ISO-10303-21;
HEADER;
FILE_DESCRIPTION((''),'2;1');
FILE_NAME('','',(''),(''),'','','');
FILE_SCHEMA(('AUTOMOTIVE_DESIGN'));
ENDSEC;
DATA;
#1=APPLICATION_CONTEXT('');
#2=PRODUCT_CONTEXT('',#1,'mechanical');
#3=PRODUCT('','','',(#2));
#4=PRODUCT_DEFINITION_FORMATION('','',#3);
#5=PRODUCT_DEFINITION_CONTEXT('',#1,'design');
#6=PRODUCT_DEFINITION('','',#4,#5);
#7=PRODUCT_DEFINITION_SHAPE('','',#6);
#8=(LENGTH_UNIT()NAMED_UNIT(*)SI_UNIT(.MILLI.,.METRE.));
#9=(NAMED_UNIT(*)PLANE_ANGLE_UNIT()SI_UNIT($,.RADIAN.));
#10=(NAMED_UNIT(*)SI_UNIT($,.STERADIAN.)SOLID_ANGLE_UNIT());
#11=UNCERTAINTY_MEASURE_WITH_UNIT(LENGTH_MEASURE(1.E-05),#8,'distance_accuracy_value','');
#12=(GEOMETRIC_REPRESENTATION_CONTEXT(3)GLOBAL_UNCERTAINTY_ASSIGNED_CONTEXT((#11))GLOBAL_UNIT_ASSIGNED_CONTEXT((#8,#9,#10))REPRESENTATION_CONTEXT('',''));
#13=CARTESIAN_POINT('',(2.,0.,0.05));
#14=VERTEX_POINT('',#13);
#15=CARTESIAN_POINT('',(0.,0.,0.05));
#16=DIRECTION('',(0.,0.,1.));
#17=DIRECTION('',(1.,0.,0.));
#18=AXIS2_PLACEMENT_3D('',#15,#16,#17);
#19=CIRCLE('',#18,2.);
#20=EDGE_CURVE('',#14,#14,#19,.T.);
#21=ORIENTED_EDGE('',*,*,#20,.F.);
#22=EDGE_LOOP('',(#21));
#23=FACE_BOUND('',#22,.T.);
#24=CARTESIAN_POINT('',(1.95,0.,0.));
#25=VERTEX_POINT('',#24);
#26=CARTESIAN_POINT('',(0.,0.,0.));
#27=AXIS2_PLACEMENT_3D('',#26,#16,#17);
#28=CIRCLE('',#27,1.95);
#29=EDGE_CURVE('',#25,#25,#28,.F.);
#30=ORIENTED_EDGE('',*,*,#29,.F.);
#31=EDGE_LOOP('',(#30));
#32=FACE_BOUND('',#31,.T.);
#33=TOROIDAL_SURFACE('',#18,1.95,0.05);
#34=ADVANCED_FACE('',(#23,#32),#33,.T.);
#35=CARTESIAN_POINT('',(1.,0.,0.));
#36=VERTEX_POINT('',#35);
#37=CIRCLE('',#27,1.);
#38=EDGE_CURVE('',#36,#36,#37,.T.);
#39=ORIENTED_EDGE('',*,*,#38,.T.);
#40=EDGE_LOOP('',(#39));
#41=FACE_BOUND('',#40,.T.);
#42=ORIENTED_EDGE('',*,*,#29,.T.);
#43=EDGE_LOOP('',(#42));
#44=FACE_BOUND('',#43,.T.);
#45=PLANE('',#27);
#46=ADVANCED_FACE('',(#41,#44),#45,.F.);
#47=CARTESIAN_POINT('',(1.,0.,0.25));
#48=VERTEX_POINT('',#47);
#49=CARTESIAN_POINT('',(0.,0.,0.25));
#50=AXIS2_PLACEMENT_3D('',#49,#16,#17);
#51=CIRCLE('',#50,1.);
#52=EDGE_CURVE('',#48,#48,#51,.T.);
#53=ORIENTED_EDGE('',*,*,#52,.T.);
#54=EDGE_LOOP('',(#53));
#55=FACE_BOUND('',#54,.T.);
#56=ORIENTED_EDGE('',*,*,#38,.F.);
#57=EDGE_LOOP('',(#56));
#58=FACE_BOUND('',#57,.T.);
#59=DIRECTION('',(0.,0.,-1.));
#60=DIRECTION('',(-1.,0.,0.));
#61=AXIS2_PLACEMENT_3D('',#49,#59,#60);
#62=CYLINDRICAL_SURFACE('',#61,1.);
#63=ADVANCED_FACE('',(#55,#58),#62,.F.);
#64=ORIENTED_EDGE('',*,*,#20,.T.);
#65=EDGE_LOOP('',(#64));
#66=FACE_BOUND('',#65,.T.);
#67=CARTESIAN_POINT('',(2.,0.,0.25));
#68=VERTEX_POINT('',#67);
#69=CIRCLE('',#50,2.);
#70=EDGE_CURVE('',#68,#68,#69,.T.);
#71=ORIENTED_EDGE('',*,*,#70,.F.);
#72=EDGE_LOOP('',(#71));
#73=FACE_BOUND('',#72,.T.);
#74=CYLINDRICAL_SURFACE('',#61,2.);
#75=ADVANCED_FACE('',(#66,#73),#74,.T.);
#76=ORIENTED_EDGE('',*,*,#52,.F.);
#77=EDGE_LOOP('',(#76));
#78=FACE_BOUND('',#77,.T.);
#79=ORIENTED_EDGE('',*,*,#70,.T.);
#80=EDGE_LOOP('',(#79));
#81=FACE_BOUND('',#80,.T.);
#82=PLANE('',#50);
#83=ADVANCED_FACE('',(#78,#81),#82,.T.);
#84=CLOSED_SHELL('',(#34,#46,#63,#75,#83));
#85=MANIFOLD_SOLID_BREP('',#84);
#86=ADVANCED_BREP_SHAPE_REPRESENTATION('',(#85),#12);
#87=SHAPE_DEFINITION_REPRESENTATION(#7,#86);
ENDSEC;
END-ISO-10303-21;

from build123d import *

# Parameters (mm, degrees)
ESQUISSE1_R        = 2
ESQUISSE1_R_2      = 1
BOSS_EXTRU_1_DEPTH = 0.25
CONG_1_R           = 0.05


with BuildPart() as part:
    # Esquisse1 → Boss.-Extru.1 (new body)
    with BuildSketch(Plane.XY):
        Circle(ESQUISSE1_R)
        Circle(ESQUISSE1_R_2, mode=Mode.SUBTRACT)
    extrude(amount=BOSS_EXTRU_1_DEPTH)

    # Congé1
    cong_1_edges = [part.edges().sort_by_distance(p)[0] for p in [
        (-2, 0, 0),
    ]]
    fillet(cong_1_edges, radius=CONG_1_R)


solid = part.part
